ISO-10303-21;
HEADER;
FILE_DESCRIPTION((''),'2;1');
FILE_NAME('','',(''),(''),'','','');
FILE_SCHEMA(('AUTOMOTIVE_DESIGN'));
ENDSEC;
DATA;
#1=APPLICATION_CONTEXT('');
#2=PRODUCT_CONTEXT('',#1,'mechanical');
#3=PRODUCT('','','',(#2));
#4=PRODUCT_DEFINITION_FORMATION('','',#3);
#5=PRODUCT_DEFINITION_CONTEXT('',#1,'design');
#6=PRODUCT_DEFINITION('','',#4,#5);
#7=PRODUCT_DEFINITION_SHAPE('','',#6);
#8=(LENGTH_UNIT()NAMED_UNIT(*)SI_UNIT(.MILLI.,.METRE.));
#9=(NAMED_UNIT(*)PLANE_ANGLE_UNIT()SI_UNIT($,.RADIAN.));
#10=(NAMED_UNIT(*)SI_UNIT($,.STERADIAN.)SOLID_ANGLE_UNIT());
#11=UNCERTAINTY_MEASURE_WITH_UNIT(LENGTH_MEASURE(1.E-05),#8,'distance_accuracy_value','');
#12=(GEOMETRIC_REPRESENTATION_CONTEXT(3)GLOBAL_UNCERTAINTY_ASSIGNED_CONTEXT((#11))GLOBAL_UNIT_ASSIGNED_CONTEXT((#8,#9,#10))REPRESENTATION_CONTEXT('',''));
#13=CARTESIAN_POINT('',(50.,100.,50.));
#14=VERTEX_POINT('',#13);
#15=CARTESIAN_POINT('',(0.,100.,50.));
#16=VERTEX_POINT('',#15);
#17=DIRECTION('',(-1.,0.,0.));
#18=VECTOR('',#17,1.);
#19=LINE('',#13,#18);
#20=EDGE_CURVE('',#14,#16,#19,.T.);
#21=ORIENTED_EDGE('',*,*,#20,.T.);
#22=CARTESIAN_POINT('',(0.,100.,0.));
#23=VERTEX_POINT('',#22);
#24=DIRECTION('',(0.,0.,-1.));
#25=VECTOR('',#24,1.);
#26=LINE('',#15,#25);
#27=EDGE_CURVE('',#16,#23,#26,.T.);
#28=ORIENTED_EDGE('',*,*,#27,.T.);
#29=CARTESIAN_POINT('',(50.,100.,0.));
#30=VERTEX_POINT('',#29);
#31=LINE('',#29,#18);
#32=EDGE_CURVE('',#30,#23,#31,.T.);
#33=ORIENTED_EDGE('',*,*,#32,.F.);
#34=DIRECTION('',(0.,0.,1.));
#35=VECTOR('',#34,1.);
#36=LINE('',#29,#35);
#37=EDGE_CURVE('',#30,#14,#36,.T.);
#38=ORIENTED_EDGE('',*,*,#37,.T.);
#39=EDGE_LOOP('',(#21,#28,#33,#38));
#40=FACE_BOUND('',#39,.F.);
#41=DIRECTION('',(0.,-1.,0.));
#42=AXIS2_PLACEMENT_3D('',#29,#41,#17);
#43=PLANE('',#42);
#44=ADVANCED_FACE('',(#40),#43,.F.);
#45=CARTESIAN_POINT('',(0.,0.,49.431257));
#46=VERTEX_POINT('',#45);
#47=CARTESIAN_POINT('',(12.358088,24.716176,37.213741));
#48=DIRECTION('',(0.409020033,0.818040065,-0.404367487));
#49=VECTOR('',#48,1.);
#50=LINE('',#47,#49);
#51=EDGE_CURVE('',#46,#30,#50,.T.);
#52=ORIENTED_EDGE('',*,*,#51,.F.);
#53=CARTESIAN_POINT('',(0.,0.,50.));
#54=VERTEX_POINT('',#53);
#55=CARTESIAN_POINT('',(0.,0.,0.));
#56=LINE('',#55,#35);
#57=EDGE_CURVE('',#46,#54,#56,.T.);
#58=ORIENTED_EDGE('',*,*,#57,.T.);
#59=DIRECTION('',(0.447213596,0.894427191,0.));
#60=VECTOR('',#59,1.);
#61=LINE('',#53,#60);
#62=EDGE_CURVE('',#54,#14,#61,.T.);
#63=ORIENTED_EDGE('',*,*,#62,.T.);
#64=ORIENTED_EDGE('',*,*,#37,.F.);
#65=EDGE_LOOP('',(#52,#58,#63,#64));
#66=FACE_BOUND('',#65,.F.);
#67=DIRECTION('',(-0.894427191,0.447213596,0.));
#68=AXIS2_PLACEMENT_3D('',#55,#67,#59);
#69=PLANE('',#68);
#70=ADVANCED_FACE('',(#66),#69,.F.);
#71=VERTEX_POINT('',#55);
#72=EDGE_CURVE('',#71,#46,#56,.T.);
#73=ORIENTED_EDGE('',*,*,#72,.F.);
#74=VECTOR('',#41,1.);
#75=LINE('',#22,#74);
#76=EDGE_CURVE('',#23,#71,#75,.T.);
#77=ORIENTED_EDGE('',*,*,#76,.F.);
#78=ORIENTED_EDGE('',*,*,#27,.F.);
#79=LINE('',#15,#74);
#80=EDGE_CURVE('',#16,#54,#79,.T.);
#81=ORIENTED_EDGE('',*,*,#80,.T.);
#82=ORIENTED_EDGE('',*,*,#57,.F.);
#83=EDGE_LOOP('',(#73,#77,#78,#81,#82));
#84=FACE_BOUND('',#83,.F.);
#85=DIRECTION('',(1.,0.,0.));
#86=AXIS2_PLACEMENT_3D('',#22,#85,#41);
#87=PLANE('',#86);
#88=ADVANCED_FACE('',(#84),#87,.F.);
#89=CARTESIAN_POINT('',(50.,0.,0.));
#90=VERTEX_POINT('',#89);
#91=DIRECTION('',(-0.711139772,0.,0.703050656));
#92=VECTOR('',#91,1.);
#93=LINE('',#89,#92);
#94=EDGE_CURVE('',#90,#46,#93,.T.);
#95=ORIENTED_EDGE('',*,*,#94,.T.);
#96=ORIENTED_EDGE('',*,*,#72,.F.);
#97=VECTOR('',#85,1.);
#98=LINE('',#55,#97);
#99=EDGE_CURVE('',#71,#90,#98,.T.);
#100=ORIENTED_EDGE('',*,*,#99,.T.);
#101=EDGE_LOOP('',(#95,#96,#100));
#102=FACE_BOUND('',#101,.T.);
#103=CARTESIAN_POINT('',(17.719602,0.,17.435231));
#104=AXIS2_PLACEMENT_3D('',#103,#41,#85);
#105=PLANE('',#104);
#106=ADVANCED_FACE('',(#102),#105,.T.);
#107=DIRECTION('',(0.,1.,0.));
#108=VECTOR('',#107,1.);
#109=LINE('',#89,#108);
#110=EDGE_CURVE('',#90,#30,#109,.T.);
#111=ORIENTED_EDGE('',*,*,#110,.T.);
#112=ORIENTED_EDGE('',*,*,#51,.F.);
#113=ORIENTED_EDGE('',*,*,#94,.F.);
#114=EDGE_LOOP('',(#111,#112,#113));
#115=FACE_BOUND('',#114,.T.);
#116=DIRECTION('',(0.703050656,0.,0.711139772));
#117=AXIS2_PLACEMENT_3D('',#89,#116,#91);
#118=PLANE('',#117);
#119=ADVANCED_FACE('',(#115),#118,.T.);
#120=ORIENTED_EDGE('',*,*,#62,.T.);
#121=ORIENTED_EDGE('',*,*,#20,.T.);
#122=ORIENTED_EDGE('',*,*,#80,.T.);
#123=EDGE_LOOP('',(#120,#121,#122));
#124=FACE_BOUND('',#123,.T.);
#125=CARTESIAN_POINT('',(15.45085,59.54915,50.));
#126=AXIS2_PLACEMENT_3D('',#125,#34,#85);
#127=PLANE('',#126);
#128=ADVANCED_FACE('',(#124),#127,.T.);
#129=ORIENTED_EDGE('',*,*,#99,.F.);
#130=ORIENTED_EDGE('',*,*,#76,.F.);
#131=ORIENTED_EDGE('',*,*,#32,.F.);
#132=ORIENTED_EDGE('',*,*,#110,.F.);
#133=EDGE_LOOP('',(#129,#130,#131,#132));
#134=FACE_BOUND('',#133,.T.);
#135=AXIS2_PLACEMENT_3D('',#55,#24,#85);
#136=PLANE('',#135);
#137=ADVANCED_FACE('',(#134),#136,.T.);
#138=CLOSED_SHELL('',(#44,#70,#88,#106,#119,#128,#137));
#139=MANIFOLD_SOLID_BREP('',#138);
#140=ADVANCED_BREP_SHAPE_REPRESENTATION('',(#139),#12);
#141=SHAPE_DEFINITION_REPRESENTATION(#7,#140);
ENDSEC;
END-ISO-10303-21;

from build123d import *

# Parameters (mm, degrees)
F1_DEPTH = 50
F3_DEPTH = 100


with BuildPart() as f1:
    # F0 (on Top) → F1 (new body)
    with BuildSketch(Plane.XY):
        Polygon((0, 100), (0, 0), (50, 100), align=None)
    extrude(amount=F1_DEPTH)

    # F2 (on Front) → F3 (join)
    with BuildSketch(Plane.XZ):
        Polygon((50, 0), (0, 49.431257), (0, 0), align=None)
    extrude(amount=-F3_DEPTH)


solid = f1.part
